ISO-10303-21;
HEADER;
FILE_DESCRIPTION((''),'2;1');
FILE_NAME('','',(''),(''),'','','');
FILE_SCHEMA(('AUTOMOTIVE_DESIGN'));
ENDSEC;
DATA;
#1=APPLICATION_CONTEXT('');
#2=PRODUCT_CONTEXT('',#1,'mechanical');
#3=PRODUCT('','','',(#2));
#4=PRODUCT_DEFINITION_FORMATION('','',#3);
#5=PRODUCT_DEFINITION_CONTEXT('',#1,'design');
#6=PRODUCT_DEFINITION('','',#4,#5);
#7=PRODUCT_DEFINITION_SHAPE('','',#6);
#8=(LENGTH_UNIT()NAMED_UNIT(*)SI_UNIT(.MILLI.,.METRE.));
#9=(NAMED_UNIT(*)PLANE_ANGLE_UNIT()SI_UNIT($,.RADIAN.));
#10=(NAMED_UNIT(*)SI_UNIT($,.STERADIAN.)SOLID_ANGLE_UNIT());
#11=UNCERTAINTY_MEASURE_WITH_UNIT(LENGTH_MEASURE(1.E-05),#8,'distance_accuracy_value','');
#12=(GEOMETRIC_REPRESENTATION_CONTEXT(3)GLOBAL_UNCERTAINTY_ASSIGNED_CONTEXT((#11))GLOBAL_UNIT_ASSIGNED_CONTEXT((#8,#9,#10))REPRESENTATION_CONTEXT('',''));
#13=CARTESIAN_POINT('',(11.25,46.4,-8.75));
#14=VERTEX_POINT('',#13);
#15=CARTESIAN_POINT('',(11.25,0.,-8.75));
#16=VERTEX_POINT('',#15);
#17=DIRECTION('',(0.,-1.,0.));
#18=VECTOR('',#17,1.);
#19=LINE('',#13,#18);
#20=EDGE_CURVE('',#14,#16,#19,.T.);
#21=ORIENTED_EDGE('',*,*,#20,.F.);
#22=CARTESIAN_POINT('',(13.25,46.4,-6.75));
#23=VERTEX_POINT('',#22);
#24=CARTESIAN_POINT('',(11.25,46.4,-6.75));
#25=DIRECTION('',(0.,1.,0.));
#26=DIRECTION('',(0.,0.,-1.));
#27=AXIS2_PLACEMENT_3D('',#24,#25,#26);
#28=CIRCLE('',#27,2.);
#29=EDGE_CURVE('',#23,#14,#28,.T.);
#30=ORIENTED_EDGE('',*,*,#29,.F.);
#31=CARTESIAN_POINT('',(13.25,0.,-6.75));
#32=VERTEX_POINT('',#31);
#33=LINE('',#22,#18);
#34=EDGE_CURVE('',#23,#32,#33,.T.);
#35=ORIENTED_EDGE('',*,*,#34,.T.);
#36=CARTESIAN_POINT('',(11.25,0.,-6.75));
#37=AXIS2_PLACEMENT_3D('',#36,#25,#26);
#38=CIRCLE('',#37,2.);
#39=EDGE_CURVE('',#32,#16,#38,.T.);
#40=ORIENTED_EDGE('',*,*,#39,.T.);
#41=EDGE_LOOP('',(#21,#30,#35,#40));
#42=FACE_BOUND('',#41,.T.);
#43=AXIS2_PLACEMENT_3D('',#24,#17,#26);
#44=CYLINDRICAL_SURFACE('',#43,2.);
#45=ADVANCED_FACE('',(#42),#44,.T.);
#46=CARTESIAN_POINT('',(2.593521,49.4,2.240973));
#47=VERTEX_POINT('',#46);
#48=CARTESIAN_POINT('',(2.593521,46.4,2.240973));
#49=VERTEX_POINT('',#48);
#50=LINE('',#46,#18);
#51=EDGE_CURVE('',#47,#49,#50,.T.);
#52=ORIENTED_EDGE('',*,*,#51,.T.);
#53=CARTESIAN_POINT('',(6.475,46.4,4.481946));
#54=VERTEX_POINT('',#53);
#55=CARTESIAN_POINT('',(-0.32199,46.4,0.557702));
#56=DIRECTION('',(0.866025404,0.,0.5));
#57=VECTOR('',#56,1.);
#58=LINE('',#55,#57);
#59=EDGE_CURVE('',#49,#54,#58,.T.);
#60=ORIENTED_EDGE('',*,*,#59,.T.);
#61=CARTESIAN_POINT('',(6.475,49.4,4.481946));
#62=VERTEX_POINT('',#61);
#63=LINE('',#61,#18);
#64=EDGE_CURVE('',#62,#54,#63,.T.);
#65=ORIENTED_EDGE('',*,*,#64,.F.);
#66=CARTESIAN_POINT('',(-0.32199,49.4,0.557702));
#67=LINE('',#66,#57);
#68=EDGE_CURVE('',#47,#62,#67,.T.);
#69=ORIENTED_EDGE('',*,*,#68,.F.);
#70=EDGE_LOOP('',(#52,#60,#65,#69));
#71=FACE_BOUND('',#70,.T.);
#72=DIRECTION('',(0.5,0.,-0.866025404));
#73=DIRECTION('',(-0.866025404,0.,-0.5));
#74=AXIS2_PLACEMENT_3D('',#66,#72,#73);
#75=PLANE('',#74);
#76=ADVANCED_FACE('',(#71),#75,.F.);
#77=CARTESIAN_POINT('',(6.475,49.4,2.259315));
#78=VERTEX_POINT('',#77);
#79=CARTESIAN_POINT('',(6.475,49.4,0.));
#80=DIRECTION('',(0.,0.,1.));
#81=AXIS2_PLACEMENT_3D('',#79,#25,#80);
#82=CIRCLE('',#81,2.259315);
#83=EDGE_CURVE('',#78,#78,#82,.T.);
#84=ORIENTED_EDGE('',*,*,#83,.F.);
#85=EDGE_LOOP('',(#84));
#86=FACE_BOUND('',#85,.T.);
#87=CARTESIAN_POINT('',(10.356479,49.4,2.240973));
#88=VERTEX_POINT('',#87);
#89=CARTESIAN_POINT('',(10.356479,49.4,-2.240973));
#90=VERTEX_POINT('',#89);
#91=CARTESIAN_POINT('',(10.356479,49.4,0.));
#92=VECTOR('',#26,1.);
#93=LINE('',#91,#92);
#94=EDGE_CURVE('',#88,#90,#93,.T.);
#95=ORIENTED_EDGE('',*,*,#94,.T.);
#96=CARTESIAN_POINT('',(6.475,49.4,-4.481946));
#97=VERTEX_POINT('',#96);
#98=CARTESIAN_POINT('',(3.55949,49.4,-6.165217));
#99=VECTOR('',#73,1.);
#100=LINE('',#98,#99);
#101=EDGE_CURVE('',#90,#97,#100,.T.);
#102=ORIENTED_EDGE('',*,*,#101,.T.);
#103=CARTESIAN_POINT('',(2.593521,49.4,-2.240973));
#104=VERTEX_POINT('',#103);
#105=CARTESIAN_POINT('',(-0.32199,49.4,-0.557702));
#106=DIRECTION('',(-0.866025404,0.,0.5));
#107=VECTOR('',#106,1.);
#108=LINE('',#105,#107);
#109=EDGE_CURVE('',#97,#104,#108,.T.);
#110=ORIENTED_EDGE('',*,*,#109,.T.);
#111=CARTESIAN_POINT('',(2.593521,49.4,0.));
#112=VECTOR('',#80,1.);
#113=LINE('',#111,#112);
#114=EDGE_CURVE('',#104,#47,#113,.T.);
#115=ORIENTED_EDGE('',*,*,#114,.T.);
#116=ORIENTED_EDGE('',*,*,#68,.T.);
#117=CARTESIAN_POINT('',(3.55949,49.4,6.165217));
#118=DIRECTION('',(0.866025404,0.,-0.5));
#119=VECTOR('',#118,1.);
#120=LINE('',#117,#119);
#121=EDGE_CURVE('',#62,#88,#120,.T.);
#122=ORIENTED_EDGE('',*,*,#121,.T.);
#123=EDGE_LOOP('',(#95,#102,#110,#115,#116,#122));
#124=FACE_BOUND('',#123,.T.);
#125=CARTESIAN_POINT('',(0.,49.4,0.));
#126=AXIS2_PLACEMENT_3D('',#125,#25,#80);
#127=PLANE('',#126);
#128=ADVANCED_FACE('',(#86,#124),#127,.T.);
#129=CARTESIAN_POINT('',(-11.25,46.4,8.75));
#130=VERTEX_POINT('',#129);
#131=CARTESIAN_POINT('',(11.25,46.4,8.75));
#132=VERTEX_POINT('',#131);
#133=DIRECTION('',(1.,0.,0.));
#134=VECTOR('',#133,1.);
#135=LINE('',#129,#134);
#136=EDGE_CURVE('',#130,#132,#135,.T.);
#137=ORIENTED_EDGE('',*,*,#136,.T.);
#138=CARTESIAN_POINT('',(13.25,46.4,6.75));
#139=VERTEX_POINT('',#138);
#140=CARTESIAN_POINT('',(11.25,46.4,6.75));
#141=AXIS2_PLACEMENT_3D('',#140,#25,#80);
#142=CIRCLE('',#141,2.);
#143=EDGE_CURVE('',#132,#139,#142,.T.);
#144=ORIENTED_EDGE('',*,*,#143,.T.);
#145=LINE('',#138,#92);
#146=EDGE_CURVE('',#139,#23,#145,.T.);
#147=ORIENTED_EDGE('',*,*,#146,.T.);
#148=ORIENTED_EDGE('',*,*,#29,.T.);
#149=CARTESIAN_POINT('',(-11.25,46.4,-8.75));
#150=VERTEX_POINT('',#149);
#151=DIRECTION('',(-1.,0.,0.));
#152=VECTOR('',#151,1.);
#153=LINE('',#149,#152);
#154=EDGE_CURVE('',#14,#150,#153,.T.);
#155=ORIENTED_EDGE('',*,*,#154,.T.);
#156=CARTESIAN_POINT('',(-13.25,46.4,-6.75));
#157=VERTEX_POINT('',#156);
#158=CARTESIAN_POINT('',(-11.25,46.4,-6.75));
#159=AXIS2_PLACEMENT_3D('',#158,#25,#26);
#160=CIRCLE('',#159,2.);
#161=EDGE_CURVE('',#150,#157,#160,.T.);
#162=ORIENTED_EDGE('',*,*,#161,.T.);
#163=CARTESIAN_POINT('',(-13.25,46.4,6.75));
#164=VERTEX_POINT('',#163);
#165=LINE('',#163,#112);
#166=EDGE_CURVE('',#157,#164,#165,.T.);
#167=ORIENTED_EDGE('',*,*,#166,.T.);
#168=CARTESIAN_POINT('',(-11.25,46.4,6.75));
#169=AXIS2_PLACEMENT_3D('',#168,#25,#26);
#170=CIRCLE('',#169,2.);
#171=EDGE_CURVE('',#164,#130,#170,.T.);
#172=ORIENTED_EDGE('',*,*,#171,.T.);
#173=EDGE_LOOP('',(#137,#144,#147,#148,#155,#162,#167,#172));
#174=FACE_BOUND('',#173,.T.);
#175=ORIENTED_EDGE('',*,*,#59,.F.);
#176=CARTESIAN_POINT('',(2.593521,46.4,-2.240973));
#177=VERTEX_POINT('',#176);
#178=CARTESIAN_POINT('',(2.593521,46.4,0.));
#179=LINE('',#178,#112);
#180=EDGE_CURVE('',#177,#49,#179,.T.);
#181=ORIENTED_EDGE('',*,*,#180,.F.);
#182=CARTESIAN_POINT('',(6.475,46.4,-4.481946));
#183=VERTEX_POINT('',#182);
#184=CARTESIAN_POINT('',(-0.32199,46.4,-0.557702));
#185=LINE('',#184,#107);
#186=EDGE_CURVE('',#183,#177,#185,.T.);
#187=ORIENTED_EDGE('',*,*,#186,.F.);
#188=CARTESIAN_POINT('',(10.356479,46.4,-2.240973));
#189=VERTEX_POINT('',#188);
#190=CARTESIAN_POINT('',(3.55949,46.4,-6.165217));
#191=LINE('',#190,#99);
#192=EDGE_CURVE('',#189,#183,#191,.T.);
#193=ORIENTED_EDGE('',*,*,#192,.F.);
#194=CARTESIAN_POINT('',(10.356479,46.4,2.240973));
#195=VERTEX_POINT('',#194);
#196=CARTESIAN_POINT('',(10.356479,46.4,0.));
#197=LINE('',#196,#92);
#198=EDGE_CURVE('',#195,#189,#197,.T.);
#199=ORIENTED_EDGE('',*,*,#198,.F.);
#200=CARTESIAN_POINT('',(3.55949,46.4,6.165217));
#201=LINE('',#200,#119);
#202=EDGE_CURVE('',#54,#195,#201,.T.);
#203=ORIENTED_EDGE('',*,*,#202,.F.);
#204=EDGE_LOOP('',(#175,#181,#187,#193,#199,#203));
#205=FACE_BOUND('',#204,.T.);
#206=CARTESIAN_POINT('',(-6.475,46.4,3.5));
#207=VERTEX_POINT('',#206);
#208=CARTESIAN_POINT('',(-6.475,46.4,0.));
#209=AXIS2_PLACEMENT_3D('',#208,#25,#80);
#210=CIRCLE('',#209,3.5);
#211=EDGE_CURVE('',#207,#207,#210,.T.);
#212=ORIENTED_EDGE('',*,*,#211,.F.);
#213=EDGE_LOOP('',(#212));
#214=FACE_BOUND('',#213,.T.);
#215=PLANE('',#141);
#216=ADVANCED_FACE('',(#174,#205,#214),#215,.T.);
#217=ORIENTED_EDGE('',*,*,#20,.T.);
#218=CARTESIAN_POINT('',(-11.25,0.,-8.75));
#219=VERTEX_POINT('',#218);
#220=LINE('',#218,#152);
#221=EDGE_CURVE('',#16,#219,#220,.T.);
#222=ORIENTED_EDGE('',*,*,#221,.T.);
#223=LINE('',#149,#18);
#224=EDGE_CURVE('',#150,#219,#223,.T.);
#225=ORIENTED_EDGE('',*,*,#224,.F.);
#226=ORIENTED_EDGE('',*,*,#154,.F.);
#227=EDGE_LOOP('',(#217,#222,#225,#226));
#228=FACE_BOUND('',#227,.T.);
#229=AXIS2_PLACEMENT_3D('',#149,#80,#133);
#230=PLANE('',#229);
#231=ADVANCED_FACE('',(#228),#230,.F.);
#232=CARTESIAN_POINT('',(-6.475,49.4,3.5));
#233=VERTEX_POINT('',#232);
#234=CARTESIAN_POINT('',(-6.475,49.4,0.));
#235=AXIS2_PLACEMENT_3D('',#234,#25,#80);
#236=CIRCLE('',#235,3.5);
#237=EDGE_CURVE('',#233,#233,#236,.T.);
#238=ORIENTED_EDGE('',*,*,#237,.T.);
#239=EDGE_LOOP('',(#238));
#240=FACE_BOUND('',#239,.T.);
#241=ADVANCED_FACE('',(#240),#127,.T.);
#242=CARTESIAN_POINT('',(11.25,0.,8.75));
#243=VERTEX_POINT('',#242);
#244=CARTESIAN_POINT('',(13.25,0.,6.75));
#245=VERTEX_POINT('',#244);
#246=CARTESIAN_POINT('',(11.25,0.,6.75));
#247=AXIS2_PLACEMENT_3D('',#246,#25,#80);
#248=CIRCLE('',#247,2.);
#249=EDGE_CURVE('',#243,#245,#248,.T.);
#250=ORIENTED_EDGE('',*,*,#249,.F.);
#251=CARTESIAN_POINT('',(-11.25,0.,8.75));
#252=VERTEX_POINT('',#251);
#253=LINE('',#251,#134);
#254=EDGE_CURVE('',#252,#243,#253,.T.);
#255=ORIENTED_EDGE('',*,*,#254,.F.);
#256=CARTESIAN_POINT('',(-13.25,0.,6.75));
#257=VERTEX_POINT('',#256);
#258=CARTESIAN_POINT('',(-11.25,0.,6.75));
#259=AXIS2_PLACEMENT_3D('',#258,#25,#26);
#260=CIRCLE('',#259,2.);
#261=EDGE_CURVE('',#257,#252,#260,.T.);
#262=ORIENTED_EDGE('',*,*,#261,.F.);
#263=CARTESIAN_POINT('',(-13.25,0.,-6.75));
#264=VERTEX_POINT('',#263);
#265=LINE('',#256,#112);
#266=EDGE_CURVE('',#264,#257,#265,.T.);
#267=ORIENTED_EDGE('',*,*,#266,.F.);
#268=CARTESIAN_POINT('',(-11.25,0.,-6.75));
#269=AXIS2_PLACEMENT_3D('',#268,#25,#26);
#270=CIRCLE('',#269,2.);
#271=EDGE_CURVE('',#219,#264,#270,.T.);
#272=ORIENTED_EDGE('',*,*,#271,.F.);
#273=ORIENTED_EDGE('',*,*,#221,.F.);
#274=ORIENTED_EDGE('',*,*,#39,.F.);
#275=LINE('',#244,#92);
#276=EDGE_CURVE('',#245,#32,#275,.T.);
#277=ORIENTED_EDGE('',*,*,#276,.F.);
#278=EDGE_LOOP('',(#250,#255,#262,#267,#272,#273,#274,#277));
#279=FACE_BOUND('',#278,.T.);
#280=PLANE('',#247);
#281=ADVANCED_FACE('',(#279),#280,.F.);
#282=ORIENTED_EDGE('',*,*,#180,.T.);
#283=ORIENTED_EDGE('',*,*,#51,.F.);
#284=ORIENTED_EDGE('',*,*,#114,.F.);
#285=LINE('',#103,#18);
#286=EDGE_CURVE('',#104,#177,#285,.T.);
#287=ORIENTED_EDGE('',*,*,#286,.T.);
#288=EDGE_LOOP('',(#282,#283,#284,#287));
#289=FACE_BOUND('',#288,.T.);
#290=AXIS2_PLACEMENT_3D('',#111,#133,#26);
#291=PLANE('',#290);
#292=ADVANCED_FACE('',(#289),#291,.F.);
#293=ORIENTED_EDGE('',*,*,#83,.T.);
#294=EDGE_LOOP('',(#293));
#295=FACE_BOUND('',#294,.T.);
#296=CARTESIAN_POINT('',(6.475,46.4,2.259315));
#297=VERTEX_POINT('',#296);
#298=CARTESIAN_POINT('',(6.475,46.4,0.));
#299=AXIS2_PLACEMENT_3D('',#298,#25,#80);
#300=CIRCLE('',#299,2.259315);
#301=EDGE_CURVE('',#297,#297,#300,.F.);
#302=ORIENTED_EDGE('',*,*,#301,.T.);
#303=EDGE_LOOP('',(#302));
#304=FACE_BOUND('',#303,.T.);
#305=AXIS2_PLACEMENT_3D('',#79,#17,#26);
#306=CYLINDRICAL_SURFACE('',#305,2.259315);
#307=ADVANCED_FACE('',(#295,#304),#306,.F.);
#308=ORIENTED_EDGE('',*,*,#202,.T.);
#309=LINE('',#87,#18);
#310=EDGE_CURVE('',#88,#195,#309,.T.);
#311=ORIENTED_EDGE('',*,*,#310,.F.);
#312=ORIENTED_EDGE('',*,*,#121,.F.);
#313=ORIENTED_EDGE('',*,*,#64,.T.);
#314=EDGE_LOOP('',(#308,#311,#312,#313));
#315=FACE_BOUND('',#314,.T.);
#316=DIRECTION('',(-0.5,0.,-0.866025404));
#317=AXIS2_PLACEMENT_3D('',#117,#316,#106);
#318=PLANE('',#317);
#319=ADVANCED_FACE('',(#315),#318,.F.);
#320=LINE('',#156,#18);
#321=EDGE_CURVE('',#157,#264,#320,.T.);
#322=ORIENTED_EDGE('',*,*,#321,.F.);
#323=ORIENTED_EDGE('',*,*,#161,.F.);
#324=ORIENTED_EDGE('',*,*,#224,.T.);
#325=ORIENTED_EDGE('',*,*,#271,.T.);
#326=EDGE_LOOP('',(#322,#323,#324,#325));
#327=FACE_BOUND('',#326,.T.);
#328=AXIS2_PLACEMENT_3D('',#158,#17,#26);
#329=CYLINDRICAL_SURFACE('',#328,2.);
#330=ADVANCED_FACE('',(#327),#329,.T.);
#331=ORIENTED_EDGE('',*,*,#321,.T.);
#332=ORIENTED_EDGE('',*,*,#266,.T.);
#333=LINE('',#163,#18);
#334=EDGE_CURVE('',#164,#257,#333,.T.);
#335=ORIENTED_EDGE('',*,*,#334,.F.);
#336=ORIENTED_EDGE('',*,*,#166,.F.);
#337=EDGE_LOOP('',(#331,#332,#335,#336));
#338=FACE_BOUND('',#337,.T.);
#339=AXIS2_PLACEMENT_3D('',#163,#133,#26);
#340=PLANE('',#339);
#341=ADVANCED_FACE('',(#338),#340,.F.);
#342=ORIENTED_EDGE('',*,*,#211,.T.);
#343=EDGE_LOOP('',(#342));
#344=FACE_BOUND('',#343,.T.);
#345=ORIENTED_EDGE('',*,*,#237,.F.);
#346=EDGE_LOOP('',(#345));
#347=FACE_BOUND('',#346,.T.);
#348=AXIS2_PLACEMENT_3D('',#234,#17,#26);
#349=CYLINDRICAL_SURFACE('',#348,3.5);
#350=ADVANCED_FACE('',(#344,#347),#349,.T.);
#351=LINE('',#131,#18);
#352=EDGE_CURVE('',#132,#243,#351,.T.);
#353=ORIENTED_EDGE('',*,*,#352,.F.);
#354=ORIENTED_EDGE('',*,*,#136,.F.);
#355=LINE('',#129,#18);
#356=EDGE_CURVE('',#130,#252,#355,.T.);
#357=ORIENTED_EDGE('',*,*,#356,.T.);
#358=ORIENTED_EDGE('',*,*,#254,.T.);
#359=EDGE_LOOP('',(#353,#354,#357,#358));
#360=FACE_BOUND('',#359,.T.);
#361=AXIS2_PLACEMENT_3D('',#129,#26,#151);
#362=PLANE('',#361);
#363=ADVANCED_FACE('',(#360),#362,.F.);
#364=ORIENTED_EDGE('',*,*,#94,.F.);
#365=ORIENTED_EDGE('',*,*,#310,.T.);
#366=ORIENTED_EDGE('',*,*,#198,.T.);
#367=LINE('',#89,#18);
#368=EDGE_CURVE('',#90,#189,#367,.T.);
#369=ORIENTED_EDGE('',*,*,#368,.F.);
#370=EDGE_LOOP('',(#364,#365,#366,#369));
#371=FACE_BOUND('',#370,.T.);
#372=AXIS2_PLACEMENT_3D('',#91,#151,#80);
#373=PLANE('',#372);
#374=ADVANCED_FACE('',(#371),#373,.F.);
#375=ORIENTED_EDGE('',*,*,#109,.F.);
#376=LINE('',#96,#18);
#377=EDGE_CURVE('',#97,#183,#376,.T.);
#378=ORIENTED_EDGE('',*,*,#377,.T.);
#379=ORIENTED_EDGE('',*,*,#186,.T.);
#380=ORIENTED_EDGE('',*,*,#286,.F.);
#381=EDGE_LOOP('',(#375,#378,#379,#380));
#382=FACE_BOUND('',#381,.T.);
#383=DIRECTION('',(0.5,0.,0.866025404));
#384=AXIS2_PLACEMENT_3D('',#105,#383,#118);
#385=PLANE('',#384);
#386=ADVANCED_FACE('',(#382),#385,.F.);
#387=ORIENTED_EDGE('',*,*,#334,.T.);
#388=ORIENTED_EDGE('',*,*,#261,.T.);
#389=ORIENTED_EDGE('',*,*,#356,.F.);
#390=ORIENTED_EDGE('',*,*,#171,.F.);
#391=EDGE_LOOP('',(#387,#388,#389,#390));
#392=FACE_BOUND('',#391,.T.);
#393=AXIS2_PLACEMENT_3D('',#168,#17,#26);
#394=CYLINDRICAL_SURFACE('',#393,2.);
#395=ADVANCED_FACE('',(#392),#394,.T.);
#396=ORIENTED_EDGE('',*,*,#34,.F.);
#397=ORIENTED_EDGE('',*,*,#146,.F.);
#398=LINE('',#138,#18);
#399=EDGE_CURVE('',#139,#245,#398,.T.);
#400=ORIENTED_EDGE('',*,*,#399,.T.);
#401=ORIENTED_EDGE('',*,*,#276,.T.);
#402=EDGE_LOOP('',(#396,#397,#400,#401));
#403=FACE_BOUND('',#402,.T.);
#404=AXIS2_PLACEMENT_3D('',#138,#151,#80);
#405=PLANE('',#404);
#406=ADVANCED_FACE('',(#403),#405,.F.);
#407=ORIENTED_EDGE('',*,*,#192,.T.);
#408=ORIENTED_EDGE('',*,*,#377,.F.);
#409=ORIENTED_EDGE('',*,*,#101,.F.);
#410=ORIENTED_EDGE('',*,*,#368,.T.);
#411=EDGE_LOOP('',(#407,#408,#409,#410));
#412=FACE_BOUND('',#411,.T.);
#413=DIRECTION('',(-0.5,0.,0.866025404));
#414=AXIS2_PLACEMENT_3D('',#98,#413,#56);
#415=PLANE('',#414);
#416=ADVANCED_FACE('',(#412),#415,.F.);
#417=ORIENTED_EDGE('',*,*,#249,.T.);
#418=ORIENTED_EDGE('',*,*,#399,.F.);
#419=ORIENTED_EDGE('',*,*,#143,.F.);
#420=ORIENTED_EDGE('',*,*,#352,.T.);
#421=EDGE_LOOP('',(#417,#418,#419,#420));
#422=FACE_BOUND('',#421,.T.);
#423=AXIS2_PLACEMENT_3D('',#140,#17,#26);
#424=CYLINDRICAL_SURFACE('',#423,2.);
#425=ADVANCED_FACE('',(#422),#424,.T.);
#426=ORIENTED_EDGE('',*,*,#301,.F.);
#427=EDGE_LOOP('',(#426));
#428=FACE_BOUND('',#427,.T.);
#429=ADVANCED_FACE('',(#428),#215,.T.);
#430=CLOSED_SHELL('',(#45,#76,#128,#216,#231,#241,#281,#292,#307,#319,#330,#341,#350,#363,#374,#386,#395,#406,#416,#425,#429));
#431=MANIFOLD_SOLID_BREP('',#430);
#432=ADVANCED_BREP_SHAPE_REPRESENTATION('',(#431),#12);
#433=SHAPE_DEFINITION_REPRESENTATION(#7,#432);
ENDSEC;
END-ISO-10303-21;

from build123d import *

# Parameters (mm, degrees)
BOSS_EXTRUDE1_DEPTH = 46.4
SKETCH2_R           = 3.5
SKETCH2_R_2         = 2.259315118
BOSS_EXTRUDE2_DEPTH = 3


with BuildPart() as part:
    # Sketch1 → Boss-Extrude1 (new body)
    with BuildSketch(Plane(origin=(0, 0, 0), x_dir=(1, 0, 0), z_dir=(0, 1, 0))):
        with BuildLine():
            Line((-11.25, -8.75), (11.25, -8.75))
            ThreePointArc((11.25, -8.75), (12.664213562, -8.164213562), (13.25, -6.75))
            Line((13.25, -6.75), (13.25, 6.75))
            ThreePointArc((13.25, 6.75), (12.664213562, 8.164213562), (11.25, 8.75))
            Line((11.25, 8.75), (-11.25, 8.75))
            ThreePointArc((-11.25, 8.75), (-12.664213562, 8.164213562), (-13.25, 6.75))
            Line((-13.25, 6.75), (-13.25, -6.75))
            ThreePointArc((-13.25, -6.75), (-12.664213562, -8.164213562), (-11.25, -8.75))
        make_face()
    extrude(amount=BOSS_EXTRUDE1_DEPTH)

    # Sketch2 → Boss-Extrude2 (add)
    # profile 1 of 2: a face of its own
    with BuildSketch(Plane(origin=(0, 46.4, 0), x_dir=(1, 0, 0), z_dir=(0, 1, 0))):
        with Locations(Location((-6.475, 0, 0), (0, 0, 270))):
            Circle(SKETCH2_R)
    # profile 2 of 2: a face of its own
    with BuildSketch(Plane(origin=(0, 46.4, 0), x_dir=(1, 0, 0), z_dir=(0, 1, 0))):
        Polygon((6.475, 4.48194599), (2.593520914, 2.240972995), (2.593520914, -2.240972995), (6.475, -4.48194599), (10.356479086, -2.240972995), (10.356479086, 2.240972995), align=None)
        with Locations(Location((6.475, 0, 0), (0, 0, 270))):
            Circle(SKETCH2_R_2, mode=Mode.SUBTRACT)
    extrude(amount=BOSS_EXTRUDE2_DEPTH)


solid = part.part
